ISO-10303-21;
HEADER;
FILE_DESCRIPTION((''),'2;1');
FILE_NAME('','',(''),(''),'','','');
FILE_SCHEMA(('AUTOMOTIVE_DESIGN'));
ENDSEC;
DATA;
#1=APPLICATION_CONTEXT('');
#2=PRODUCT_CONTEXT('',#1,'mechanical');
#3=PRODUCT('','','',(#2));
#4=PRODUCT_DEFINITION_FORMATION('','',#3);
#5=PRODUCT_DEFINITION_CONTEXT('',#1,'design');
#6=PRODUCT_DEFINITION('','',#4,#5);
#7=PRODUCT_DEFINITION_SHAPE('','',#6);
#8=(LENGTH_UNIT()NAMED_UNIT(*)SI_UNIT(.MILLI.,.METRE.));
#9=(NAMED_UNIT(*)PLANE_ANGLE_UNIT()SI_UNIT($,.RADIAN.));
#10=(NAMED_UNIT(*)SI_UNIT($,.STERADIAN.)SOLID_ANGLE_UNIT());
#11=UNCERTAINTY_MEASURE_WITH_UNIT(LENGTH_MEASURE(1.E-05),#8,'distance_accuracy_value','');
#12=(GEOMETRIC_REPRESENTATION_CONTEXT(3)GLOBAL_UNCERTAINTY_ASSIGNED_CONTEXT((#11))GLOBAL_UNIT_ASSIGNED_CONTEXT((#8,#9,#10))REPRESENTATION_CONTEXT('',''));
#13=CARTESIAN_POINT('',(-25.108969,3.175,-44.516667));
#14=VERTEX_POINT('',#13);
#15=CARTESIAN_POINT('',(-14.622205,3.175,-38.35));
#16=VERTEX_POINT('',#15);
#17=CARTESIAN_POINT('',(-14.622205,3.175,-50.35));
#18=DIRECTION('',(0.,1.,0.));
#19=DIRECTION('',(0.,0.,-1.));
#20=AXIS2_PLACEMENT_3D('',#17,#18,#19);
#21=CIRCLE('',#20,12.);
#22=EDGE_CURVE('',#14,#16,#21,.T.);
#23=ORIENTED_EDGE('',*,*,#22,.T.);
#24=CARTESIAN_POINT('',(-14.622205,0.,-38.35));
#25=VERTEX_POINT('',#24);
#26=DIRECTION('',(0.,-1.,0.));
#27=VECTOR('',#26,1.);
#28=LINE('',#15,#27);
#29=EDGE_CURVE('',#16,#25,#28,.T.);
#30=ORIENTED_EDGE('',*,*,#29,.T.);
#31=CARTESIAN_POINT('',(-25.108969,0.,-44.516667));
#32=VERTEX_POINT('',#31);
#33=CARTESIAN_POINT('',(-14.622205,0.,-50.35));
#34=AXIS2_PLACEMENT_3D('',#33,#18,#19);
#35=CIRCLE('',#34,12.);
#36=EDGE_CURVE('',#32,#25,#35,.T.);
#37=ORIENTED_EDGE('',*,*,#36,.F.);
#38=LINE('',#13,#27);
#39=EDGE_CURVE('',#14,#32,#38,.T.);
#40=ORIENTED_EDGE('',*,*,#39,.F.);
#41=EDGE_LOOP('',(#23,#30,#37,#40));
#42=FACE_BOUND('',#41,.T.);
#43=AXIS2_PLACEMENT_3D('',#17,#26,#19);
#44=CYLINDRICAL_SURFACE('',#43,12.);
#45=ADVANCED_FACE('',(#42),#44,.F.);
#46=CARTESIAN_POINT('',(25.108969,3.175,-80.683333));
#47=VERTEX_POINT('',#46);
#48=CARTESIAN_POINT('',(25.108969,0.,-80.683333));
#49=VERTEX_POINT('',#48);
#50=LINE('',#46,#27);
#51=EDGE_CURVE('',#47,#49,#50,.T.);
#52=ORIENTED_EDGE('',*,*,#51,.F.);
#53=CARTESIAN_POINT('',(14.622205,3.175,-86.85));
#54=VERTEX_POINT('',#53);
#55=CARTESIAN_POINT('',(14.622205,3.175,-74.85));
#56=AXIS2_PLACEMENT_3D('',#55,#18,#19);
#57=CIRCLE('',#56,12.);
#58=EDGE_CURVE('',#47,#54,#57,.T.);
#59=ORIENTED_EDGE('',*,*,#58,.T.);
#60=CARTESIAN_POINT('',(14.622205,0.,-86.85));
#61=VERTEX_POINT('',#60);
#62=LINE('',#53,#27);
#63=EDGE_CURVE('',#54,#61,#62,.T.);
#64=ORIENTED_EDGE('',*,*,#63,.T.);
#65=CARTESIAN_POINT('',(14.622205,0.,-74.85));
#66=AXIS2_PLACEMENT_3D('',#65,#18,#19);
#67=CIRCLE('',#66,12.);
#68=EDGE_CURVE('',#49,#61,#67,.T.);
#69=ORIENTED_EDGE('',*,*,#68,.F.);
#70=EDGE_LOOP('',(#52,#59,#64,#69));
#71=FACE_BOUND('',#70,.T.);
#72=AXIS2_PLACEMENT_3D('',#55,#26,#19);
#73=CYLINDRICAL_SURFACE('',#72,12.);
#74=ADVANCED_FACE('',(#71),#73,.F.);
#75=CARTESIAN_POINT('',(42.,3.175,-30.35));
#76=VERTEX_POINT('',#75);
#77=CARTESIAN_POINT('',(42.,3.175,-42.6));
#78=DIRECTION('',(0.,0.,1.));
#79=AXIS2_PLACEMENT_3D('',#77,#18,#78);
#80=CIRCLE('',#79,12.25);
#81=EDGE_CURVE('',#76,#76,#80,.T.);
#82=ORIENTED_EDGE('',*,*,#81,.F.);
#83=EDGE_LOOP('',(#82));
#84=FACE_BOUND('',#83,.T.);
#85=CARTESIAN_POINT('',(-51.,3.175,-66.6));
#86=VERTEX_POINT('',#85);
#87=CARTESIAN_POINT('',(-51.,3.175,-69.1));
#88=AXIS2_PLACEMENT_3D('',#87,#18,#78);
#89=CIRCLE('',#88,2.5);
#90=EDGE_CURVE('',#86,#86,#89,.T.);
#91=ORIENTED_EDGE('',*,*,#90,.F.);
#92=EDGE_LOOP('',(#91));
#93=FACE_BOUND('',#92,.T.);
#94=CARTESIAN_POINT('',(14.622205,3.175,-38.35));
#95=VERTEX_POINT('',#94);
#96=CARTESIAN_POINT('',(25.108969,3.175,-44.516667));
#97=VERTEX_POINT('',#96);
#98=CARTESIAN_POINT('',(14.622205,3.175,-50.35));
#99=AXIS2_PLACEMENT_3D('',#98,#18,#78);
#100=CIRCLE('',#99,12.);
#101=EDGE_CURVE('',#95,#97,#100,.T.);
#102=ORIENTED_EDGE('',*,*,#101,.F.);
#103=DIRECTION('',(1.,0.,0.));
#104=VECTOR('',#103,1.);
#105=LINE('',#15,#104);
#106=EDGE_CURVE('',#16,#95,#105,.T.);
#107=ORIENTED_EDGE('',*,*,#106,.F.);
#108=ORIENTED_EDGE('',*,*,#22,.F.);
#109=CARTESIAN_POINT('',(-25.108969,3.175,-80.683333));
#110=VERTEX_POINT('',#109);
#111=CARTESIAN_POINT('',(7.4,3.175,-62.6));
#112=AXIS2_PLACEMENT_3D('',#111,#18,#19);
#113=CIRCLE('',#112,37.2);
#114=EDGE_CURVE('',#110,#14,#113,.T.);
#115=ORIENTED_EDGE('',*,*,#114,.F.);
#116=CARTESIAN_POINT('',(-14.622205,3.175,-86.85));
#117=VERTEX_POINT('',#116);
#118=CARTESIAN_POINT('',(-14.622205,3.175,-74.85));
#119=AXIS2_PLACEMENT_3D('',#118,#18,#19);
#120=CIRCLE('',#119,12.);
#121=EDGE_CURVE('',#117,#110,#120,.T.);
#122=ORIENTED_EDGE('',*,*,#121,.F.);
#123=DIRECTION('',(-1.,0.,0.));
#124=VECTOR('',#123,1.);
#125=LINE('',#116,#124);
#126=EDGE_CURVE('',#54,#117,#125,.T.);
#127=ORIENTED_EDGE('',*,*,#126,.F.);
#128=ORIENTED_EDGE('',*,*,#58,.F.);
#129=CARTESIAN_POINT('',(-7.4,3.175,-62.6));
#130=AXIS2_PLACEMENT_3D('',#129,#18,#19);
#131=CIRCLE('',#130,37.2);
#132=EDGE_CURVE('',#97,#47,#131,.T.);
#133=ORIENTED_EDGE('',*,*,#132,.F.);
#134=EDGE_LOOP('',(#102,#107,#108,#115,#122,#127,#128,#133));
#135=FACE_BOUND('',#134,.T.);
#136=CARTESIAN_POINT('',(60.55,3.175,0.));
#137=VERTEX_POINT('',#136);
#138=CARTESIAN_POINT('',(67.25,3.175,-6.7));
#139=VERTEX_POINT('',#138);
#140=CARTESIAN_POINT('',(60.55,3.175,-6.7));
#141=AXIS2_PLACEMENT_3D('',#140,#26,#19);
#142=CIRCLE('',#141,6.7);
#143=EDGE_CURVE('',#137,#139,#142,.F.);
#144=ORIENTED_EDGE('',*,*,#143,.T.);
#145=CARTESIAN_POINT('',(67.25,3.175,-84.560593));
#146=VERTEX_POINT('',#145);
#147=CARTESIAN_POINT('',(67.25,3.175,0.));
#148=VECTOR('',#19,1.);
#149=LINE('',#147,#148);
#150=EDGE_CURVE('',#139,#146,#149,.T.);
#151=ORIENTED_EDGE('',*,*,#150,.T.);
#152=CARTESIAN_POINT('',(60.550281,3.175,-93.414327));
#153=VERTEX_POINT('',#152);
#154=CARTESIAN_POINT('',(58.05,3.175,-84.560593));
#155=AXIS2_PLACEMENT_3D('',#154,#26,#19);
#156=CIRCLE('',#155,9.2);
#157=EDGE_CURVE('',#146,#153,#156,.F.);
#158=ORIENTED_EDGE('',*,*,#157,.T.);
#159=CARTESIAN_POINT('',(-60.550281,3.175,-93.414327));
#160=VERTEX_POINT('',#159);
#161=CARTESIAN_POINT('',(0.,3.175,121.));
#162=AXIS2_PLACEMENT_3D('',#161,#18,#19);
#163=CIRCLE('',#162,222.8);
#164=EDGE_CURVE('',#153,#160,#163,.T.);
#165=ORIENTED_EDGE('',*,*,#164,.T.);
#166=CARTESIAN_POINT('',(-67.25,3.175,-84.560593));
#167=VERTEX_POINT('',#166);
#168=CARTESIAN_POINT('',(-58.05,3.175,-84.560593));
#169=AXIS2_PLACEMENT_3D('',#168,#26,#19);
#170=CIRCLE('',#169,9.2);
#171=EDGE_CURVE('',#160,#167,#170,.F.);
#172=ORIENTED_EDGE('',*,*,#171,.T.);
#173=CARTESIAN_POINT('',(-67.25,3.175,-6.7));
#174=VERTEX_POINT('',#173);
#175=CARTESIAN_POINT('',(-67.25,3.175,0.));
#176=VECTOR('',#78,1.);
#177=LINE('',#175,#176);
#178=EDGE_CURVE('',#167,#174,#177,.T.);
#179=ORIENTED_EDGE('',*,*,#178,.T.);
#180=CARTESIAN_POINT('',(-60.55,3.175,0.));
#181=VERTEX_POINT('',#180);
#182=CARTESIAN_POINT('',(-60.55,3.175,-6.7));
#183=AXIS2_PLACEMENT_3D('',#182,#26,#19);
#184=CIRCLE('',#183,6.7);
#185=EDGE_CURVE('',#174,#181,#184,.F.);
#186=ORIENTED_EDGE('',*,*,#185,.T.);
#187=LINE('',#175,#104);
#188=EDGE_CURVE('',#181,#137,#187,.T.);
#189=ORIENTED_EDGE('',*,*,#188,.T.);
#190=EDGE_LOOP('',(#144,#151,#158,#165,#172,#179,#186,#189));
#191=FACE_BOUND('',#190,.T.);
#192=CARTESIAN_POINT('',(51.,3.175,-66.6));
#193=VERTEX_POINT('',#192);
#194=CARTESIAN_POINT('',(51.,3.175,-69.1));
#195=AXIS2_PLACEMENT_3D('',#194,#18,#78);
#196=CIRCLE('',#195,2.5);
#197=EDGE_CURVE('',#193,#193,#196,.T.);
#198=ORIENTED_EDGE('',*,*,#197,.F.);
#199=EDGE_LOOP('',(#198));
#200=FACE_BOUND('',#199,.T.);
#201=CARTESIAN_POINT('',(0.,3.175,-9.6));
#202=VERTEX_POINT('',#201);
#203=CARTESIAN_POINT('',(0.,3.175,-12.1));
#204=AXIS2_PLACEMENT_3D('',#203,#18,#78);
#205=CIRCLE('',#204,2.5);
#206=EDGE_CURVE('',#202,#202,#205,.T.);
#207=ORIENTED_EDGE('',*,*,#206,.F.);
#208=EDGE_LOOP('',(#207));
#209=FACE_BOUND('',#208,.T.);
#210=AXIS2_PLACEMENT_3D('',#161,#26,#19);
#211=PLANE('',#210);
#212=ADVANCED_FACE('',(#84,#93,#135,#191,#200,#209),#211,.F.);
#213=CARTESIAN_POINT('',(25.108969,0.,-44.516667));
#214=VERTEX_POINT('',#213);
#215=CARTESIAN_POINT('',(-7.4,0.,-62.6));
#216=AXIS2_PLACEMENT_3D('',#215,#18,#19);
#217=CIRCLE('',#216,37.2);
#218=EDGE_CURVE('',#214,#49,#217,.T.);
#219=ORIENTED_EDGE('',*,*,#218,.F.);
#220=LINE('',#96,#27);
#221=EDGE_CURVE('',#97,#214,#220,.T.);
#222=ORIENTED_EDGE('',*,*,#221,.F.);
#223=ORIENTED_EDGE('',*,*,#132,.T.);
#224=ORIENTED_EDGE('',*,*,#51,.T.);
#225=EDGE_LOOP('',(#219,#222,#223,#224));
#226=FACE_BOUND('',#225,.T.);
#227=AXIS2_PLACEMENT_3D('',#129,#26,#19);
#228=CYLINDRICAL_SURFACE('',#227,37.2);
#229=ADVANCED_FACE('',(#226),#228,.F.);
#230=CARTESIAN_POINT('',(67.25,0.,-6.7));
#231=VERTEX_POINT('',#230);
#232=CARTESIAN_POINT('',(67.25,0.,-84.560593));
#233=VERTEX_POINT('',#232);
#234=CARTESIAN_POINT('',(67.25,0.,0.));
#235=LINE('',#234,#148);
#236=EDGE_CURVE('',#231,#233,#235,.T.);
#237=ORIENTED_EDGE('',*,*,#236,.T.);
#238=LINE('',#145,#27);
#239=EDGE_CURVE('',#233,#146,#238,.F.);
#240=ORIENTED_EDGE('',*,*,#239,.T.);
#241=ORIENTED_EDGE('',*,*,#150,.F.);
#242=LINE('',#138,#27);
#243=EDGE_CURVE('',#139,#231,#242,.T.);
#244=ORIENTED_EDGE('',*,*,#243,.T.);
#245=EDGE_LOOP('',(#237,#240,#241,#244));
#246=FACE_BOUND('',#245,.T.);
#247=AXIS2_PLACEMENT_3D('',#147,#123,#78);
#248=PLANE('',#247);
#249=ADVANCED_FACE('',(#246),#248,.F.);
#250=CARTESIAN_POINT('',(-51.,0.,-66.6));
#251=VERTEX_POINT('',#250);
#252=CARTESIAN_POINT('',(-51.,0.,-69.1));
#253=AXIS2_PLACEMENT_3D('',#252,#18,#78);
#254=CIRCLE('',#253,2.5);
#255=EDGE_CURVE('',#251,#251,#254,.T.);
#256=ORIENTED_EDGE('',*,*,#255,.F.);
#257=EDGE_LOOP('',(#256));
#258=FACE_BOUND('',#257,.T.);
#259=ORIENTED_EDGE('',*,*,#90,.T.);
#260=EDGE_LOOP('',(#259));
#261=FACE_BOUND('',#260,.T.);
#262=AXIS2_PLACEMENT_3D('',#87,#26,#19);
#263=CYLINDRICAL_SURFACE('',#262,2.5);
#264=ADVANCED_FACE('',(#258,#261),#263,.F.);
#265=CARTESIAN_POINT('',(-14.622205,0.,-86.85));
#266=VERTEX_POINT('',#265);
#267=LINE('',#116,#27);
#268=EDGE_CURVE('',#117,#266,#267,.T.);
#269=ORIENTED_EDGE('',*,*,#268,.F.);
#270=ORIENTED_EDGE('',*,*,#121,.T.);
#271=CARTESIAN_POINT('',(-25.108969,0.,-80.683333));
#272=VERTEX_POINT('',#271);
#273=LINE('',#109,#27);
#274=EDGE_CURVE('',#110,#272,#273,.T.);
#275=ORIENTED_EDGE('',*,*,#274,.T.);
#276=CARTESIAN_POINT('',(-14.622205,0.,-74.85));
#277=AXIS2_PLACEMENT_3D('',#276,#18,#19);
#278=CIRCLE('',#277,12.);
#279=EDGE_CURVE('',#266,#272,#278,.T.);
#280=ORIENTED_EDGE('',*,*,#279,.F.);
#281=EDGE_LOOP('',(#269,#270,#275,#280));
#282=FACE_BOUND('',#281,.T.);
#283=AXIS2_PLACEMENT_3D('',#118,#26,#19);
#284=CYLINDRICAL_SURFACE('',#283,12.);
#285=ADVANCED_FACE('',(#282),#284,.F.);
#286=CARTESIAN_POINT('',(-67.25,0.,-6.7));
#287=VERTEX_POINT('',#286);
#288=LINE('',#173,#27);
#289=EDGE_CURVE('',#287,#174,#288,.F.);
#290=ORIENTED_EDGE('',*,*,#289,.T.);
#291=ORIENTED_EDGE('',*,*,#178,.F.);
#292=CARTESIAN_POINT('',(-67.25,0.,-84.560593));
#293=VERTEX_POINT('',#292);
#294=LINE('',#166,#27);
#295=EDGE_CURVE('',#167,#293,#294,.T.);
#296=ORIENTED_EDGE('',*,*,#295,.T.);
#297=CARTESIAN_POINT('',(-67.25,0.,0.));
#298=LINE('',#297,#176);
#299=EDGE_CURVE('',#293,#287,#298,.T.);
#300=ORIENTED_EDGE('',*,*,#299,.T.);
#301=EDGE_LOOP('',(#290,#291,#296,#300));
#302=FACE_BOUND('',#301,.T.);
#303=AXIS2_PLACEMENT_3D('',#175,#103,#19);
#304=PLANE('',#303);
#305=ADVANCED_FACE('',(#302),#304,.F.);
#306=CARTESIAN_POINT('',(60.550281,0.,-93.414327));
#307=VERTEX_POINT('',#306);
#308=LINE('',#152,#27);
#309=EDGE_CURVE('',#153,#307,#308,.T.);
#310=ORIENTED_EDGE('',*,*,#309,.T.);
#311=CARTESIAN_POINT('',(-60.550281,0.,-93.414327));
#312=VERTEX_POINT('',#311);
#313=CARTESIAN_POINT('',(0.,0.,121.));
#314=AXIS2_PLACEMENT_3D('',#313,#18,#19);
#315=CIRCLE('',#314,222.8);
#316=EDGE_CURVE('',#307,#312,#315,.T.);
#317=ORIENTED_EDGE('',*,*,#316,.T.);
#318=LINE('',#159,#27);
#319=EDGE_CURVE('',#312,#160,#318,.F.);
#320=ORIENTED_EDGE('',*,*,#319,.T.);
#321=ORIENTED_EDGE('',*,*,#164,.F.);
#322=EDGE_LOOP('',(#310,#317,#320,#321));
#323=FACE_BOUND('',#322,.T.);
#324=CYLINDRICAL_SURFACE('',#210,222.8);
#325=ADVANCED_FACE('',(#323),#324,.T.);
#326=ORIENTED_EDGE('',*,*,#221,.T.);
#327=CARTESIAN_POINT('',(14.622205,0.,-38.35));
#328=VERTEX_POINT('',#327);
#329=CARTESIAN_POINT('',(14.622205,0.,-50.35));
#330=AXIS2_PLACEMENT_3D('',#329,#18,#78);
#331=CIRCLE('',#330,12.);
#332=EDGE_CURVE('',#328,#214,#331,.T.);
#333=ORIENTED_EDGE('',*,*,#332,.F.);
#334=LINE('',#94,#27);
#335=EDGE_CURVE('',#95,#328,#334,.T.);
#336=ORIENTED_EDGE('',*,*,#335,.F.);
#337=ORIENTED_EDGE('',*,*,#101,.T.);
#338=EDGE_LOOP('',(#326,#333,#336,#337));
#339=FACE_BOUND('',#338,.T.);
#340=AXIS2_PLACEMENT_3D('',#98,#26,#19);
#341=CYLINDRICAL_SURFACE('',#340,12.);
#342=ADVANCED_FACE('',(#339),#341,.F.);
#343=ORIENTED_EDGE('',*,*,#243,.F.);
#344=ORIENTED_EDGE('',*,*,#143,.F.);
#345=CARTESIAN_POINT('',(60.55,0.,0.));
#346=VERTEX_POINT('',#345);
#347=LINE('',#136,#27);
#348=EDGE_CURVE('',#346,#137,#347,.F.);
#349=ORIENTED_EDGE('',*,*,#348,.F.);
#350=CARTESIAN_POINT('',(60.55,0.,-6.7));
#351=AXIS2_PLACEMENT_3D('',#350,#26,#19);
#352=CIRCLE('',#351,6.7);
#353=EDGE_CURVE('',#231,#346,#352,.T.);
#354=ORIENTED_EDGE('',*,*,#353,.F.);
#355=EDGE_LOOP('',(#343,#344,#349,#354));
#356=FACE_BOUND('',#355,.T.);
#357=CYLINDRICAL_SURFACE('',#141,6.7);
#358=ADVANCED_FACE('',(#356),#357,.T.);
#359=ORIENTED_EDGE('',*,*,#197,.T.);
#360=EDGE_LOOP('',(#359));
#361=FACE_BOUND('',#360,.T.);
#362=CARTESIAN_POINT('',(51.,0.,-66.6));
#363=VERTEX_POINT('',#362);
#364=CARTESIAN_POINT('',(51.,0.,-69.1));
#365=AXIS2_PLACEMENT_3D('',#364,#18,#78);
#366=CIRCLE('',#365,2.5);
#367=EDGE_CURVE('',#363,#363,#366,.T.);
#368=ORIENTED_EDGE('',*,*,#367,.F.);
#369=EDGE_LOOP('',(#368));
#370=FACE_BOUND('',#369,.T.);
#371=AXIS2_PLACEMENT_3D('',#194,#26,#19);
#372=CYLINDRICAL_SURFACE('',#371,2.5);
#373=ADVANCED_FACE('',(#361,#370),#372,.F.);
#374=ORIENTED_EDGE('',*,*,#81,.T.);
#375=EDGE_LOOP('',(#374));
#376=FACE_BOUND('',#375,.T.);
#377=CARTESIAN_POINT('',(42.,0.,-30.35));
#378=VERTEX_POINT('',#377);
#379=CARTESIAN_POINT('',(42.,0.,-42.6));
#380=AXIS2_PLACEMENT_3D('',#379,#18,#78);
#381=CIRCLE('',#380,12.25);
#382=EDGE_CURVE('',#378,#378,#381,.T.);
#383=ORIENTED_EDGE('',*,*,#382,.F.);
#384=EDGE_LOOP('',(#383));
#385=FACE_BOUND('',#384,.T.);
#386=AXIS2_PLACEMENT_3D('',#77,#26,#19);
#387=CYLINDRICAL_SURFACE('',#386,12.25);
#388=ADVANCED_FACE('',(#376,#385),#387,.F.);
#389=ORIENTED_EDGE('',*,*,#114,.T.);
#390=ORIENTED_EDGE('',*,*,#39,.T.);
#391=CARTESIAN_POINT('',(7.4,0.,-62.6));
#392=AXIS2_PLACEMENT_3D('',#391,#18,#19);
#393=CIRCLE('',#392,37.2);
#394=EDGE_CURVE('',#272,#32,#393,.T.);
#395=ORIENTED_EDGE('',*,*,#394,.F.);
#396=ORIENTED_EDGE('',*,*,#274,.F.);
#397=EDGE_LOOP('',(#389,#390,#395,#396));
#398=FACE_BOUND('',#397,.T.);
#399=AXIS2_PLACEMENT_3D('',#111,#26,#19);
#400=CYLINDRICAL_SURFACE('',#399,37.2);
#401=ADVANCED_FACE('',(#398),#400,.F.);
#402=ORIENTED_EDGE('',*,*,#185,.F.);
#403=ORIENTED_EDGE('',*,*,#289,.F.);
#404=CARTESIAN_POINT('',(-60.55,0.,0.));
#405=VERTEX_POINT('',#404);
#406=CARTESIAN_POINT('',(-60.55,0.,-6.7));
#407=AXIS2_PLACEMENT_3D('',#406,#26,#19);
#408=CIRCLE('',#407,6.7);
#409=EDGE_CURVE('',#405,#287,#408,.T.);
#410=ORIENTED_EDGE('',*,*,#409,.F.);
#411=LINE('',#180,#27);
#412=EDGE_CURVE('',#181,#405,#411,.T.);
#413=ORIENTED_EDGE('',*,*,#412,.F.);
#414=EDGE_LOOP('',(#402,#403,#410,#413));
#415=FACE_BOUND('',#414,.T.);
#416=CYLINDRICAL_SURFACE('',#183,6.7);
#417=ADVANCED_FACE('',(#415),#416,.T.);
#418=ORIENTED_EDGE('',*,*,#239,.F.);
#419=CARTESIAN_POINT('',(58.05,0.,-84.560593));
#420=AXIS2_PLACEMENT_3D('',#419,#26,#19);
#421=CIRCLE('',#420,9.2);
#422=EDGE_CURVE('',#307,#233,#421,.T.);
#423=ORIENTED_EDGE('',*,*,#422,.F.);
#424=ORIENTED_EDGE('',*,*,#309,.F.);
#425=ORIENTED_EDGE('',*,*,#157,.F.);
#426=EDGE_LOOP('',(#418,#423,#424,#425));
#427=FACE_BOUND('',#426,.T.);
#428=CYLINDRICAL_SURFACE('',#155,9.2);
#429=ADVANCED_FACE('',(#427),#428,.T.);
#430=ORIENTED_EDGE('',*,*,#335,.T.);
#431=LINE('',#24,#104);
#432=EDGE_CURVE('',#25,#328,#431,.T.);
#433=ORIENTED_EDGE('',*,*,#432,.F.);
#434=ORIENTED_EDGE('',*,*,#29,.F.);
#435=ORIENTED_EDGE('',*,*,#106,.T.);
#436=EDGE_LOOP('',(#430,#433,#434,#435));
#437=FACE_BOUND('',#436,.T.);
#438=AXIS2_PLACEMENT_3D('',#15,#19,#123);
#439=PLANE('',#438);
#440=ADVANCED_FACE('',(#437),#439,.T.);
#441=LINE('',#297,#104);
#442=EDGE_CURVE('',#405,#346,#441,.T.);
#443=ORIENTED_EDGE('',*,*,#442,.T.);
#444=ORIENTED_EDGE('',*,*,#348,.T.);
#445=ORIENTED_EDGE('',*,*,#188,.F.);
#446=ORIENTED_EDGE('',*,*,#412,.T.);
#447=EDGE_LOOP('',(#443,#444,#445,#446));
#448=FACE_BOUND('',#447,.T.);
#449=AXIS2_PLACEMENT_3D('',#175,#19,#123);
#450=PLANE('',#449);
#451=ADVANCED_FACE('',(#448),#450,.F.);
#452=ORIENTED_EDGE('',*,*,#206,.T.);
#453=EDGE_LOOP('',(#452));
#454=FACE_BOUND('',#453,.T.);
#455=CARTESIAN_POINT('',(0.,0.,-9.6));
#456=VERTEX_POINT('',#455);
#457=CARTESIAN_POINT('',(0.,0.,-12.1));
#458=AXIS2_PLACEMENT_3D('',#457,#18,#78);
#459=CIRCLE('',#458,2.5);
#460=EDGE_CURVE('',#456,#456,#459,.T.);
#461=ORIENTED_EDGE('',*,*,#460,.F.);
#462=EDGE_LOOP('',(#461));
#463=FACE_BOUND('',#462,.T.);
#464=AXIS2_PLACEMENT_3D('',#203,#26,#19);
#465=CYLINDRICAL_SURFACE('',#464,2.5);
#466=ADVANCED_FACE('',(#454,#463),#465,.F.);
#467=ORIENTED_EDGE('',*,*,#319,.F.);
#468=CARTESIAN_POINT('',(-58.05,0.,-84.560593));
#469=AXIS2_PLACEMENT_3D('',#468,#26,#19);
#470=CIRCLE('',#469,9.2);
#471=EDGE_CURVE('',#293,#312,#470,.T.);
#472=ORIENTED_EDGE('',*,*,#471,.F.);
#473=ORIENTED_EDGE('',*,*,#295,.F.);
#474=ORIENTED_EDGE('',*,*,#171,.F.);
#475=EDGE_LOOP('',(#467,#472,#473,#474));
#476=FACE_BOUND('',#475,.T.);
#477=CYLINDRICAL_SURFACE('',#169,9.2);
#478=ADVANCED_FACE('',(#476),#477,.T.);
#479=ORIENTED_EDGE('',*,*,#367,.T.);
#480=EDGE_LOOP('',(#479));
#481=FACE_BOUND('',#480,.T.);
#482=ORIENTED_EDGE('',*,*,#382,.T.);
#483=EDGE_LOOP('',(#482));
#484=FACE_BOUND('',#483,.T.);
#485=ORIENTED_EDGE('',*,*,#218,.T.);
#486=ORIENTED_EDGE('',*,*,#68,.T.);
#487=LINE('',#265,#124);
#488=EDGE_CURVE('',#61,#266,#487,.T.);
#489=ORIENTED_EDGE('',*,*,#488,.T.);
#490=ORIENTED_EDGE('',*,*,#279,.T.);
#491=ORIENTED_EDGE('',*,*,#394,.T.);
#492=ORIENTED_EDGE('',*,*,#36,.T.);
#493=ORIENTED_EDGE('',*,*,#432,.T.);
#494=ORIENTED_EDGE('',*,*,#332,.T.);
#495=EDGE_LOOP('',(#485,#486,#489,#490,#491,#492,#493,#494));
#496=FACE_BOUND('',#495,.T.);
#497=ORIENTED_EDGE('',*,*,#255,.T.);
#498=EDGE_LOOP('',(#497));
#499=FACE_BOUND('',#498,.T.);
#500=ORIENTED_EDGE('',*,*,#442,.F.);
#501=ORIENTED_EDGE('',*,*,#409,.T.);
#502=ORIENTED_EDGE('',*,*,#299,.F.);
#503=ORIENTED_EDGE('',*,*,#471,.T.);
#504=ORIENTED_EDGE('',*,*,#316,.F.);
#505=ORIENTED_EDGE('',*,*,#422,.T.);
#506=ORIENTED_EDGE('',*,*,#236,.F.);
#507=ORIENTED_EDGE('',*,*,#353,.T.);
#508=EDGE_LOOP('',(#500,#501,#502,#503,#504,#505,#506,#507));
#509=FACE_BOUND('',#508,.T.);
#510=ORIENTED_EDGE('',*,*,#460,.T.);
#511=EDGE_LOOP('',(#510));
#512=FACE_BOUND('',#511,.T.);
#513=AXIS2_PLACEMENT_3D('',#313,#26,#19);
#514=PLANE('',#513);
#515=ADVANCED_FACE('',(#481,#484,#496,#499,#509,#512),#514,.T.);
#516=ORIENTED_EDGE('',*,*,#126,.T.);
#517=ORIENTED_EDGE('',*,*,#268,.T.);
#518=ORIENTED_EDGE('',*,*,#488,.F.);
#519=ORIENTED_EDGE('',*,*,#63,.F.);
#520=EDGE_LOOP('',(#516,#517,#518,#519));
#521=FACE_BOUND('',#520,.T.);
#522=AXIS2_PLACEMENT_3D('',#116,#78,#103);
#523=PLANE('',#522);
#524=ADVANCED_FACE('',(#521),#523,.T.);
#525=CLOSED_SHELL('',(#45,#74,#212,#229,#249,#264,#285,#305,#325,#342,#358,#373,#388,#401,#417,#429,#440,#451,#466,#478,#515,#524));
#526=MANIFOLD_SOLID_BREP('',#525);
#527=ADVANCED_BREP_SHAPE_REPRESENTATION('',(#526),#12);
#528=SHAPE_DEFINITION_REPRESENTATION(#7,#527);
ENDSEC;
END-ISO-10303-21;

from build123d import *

# Parameters (mm, degrees)
SKETCH1_R           = 2.5
SKETCH1_R_2         = 12.25
BOSS_EXTRUDE1_DEPTH = 3.175
FILLET1_R           = 9.2
FILLET2_R           = 6.7


with BuildPart() as part:
    # Sketch1 → Boss-Extrude1 (new body)
    with BuildSketch(Plane(origin=(0, 0, 0), x_dir=(1, 0, 0), z_dir=(0, 1, 0))):
        with BuildLine():
            Line((-67.25, 0), (67.25, 0))
            Line((67.25, 0), (67.25, 91.408280206))
            ThreePointArc((67.25, 91.408280206), (0, 101.8), (-67.25, 91.408280206))
            Line((-67.25, 91.408280206), (-67.25, 0))
        make_face()
        with Locations(Location((-51, 69.1, 0), (0, 0, 270))):
            Circle(SKETCH1_R, mode=Mode.SUBTRACT)
        with Locations(Location((51, 69.1, 0), (0, 0, 270))):
            Circle(SKETCH1_R, mode=Mode.SUBTRACT)
        with Locations(Location((0, 12.1, 0), (0, 0, 270))):
            Circle(SKETCH1_R, mode=Mode.SUBTRACT)
        with Locations(Location((42, 42.6, 0), (0, 0, 270))):
            Circle(SKETCH1_R_2, mode=Mode.SUBTRACT)
        with BuildLine():
            Line((-14.622204703, 86.85), (14.622204703, 86.85))
            ThreePointArc((14.622204703, 86.85), (20.704967234, 85.194080433), (25.108968848, 80.683333333))
            ThreePointArc((25.108968848, 80.683333333), (29.8, 62.6), (25.108968848, 44.516666667))
            ThreePointArc((25.108968848, 44.516666667), (20.704967234, 40.005919567), (14.622204703, 38.35))
            Line((14.622204703, 38.35), (-14.622204703, 38.35))
            ThreePointArc((-14.622204703, 38.35), (-20.704967234, 40.005919567), (-25.108968848, 44.516666667))
            ThreePointArc((-25.108968848, 44.516666667), (-29.8, 62.6), (-25.108968848, 80.683333333))
            ThreePointArc((-25.108968848, 80.683333333), (-20.704967234, 85.194080433), (-14.622204703, 86.85))
        make_face(mode=Mode.SUBTRACT)
    extrude(amount=BOSS_EXTRUDE1_DEPTH)

    # Fillet1
    fillet1_edges = [part.edges().sort_by_distance(p)[0] for p in [
        (-67.25, 1.5875, -91.408280206),
        (67.25, 1.5875, -91.408280206),
    ]]
    fillet(fillet1_edges, radius=FILLET1_R)

    # Fillet2
    fillet2_edges = [part.edges().sort_by_distance(p)[0] for p in [
        (67.25, 1.5875, 0),
        (-67.25, 1.5875, 0),
    ]]
    fillet(fillet2_edges, radius=FILLET2_R)


solid = part.part
